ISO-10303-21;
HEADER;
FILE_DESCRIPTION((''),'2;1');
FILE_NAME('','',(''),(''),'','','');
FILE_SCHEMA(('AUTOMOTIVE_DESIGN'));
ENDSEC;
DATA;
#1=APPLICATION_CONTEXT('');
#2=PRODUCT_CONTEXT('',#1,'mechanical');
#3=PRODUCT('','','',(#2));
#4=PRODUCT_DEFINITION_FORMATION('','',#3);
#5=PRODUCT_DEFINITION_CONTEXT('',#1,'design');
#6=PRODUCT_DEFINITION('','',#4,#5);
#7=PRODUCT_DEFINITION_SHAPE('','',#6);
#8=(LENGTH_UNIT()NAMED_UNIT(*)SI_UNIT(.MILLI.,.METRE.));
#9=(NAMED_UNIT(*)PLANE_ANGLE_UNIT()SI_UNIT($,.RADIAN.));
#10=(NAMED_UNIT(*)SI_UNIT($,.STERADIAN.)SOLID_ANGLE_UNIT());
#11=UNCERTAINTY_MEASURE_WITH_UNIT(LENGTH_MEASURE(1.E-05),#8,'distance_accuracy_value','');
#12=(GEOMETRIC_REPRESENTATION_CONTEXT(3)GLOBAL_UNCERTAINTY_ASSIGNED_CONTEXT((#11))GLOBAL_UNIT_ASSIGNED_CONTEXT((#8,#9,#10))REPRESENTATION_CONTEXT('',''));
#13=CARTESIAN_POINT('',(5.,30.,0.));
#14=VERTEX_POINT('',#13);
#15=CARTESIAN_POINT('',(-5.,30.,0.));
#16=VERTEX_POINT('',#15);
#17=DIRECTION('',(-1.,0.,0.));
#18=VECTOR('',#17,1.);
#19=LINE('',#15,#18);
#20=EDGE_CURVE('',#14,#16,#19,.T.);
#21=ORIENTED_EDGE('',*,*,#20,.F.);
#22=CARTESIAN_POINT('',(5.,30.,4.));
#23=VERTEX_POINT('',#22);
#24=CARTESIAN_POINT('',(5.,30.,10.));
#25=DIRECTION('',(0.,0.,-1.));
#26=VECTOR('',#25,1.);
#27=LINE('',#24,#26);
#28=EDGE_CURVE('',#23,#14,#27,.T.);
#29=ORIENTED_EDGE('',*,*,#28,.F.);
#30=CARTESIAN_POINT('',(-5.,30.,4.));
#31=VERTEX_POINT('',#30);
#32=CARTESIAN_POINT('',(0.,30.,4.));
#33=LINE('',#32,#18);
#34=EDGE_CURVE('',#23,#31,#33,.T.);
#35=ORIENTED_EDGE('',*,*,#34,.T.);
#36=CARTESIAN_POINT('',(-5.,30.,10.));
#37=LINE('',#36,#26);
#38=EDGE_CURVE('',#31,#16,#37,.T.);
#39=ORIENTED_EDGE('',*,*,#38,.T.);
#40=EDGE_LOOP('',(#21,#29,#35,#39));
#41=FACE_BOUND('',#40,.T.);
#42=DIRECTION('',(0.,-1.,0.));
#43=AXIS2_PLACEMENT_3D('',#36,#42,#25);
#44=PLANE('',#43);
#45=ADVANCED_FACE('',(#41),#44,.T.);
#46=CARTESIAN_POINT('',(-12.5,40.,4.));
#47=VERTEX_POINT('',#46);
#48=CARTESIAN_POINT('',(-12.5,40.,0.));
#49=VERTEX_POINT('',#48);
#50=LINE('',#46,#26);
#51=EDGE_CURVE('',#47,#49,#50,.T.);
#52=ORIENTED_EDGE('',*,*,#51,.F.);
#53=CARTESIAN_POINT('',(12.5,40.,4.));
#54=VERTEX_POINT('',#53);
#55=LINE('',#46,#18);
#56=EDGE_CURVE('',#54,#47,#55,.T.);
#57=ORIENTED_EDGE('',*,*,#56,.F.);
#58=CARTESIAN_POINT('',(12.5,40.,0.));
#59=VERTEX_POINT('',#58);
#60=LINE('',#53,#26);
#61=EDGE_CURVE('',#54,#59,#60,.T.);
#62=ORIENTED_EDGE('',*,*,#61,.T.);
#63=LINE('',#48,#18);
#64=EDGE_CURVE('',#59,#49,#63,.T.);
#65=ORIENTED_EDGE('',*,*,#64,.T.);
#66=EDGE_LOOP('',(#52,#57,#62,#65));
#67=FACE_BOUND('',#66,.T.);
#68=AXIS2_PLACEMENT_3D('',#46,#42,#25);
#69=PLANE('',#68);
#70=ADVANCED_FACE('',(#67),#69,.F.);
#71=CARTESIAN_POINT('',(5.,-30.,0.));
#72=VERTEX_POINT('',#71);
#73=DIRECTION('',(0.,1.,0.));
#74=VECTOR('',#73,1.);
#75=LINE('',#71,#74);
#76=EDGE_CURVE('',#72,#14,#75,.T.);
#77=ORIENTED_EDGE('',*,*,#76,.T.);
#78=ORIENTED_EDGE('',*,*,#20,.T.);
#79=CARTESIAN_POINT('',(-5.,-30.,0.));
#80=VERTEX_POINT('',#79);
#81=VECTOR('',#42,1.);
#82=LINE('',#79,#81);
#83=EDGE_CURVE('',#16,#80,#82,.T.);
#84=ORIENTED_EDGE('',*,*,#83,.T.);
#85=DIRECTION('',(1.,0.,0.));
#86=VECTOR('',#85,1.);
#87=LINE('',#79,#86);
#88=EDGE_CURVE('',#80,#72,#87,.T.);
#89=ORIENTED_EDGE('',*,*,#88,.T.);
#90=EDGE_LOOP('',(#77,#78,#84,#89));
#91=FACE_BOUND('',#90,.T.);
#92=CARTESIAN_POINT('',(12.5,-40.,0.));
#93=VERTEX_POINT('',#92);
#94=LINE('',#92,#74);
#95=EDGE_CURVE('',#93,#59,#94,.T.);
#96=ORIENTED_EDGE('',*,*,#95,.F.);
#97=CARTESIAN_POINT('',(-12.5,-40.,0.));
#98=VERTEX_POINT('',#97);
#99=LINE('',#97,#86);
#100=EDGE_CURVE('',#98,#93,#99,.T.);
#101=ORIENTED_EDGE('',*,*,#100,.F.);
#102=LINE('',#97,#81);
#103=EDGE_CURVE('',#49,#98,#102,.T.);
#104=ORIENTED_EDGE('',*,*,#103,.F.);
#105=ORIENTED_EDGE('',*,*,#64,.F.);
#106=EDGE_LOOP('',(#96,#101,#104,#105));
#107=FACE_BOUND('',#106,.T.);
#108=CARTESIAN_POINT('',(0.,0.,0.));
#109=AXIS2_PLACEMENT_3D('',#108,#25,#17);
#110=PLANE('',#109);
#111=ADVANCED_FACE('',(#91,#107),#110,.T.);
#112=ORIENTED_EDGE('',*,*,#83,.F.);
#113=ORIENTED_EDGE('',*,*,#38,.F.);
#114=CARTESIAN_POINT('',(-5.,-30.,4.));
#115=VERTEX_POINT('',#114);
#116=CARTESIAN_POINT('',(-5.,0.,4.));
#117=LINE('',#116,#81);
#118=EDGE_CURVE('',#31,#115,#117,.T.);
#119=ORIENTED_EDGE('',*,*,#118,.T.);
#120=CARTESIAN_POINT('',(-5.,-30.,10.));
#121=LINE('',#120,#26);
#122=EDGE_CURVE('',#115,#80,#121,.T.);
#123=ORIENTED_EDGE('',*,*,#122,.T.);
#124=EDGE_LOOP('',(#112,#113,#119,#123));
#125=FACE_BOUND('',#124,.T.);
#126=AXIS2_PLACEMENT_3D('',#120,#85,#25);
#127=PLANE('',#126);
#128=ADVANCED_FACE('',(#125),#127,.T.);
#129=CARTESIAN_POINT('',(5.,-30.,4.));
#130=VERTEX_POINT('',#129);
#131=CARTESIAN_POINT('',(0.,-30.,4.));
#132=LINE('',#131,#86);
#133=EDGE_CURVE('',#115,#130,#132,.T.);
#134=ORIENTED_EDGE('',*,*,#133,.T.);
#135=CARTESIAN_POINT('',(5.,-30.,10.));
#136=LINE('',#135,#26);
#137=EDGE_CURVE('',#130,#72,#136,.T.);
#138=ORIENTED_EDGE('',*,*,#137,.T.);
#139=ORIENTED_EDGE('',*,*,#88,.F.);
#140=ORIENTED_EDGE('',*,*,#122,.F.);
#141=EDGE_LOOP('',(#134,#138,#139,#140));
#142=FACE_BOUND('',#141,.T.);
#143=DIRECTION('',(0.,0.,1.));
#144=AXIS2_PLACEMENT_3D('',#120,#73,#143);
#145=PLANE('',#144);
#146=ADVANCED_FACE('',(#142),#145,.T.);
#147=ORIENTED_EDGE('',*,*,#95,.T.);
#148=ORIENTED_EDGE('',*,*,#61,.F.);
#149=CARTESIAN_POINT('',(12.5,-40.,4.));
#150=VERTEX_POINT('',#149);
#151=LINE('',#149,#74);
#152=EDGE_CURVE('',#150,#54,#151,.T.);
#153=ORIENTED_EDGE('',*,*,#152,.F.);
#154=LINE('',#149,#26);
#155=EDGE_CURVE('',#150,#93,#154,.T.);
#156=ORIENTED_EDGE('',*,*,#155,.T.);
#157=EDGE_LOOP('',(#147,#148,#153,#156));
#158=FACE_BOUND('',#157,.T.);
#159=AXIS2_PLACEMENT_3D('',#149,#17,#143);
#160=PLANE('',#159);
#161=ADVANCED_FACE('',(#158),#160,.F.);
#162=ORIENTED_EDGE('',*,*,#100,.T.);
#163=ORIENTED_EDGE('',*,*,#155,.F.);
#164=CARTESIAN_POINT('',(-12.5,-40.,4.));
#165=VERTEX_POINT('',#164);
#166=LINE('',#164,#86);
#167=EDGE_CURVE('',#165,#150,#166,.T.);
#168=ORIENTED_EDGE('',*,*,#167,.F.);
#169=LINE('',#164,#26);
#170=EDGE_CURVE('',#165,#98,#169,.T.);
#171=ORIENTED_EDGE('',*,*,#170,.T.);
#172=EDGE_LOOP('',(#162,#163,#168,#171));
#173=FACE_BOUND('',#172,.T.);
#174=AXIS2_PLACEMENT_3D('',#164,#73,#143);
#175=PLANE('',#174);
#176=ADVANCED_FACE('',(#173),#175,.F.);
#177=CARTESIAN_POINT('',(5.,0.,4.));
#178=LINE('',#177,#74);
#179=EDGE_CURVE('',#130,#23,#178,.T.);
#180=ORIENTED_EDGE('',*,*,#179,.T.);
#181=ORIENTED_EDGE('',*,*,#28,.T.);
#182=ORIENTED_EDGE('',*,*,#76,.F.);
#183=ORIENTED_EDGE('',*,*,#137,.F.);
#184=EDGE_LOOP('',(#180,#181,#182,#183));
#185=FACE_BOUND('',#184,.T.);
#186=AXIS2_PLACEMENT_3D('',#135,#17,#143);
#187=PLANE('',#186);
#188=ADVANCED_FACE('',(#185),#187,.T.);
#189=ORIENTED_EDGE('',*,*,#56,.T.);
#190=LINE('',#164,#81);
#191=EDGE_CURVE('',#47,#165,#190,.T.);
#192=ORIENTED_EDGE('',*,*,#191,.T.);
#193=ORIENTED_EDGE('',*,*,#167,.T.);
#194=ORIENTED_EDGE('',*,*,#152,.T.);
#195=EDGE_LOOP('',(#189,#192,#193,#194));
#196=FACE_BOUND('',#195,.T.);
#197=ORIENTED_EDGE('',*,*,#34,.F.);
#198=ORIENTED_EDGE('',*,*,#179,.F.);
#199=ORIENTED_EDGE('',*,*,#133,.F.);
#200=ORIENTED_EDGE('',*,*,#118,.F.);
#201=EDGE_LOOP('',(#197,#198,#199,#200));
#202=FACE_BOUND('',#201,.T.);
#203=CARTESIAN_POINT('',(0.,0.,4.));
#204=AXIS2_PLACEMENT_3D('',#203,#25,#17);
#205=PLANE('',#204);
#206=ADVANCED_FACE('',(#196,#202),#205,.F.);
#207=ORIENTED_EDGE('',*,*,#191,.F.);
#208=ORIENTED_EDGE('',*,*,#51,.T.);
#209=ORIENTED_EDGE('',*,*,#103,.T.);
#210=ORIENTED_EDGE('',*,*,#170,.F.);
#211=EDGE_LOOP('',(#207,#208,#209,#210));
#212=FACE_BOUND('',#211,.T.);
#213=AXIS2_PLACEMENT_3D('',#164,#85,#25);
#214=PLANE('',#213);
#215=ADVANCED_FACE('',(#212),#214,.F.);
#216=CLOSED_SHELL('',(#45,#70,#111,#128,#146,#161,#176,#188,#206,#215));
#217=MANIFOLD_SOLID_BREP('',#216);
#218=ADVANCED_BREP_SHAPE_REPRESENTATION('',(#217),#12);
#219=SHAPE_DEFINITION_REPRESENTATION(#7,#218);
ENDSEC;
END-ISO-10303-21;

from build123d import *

# Parameters (mm, degrees)
SKETCH1_W           = 25
SKETCH1_H           = 80
BOSS_EXTRUDE1_DEPTH = 4
SKETCH2_W           = 10
SKETCH2_H           = 60
CUT_EXTRUDE1_DEPTH  = 10


with BuildPart() as part:
    # Sketch1 → Boss-Extrude1 (new body)
    with BuildSketch(Plane.XY):
        Rectangle(SKETCH1_W, SKETCH1_H)
    extrude(amount=BOSS_EXTRUDE1_DEPTH)

    # Sketch2 → Cut-Extrude1 (cut)
    with BuildSketch(Plane.XY):
        Rectangle(SKETCH2_W, SKETCH2_H)
    extrude(amount=CUT_EXTRUDE1_DEPTH, mode=Mode.SUBTRACT)


solid = part.part
